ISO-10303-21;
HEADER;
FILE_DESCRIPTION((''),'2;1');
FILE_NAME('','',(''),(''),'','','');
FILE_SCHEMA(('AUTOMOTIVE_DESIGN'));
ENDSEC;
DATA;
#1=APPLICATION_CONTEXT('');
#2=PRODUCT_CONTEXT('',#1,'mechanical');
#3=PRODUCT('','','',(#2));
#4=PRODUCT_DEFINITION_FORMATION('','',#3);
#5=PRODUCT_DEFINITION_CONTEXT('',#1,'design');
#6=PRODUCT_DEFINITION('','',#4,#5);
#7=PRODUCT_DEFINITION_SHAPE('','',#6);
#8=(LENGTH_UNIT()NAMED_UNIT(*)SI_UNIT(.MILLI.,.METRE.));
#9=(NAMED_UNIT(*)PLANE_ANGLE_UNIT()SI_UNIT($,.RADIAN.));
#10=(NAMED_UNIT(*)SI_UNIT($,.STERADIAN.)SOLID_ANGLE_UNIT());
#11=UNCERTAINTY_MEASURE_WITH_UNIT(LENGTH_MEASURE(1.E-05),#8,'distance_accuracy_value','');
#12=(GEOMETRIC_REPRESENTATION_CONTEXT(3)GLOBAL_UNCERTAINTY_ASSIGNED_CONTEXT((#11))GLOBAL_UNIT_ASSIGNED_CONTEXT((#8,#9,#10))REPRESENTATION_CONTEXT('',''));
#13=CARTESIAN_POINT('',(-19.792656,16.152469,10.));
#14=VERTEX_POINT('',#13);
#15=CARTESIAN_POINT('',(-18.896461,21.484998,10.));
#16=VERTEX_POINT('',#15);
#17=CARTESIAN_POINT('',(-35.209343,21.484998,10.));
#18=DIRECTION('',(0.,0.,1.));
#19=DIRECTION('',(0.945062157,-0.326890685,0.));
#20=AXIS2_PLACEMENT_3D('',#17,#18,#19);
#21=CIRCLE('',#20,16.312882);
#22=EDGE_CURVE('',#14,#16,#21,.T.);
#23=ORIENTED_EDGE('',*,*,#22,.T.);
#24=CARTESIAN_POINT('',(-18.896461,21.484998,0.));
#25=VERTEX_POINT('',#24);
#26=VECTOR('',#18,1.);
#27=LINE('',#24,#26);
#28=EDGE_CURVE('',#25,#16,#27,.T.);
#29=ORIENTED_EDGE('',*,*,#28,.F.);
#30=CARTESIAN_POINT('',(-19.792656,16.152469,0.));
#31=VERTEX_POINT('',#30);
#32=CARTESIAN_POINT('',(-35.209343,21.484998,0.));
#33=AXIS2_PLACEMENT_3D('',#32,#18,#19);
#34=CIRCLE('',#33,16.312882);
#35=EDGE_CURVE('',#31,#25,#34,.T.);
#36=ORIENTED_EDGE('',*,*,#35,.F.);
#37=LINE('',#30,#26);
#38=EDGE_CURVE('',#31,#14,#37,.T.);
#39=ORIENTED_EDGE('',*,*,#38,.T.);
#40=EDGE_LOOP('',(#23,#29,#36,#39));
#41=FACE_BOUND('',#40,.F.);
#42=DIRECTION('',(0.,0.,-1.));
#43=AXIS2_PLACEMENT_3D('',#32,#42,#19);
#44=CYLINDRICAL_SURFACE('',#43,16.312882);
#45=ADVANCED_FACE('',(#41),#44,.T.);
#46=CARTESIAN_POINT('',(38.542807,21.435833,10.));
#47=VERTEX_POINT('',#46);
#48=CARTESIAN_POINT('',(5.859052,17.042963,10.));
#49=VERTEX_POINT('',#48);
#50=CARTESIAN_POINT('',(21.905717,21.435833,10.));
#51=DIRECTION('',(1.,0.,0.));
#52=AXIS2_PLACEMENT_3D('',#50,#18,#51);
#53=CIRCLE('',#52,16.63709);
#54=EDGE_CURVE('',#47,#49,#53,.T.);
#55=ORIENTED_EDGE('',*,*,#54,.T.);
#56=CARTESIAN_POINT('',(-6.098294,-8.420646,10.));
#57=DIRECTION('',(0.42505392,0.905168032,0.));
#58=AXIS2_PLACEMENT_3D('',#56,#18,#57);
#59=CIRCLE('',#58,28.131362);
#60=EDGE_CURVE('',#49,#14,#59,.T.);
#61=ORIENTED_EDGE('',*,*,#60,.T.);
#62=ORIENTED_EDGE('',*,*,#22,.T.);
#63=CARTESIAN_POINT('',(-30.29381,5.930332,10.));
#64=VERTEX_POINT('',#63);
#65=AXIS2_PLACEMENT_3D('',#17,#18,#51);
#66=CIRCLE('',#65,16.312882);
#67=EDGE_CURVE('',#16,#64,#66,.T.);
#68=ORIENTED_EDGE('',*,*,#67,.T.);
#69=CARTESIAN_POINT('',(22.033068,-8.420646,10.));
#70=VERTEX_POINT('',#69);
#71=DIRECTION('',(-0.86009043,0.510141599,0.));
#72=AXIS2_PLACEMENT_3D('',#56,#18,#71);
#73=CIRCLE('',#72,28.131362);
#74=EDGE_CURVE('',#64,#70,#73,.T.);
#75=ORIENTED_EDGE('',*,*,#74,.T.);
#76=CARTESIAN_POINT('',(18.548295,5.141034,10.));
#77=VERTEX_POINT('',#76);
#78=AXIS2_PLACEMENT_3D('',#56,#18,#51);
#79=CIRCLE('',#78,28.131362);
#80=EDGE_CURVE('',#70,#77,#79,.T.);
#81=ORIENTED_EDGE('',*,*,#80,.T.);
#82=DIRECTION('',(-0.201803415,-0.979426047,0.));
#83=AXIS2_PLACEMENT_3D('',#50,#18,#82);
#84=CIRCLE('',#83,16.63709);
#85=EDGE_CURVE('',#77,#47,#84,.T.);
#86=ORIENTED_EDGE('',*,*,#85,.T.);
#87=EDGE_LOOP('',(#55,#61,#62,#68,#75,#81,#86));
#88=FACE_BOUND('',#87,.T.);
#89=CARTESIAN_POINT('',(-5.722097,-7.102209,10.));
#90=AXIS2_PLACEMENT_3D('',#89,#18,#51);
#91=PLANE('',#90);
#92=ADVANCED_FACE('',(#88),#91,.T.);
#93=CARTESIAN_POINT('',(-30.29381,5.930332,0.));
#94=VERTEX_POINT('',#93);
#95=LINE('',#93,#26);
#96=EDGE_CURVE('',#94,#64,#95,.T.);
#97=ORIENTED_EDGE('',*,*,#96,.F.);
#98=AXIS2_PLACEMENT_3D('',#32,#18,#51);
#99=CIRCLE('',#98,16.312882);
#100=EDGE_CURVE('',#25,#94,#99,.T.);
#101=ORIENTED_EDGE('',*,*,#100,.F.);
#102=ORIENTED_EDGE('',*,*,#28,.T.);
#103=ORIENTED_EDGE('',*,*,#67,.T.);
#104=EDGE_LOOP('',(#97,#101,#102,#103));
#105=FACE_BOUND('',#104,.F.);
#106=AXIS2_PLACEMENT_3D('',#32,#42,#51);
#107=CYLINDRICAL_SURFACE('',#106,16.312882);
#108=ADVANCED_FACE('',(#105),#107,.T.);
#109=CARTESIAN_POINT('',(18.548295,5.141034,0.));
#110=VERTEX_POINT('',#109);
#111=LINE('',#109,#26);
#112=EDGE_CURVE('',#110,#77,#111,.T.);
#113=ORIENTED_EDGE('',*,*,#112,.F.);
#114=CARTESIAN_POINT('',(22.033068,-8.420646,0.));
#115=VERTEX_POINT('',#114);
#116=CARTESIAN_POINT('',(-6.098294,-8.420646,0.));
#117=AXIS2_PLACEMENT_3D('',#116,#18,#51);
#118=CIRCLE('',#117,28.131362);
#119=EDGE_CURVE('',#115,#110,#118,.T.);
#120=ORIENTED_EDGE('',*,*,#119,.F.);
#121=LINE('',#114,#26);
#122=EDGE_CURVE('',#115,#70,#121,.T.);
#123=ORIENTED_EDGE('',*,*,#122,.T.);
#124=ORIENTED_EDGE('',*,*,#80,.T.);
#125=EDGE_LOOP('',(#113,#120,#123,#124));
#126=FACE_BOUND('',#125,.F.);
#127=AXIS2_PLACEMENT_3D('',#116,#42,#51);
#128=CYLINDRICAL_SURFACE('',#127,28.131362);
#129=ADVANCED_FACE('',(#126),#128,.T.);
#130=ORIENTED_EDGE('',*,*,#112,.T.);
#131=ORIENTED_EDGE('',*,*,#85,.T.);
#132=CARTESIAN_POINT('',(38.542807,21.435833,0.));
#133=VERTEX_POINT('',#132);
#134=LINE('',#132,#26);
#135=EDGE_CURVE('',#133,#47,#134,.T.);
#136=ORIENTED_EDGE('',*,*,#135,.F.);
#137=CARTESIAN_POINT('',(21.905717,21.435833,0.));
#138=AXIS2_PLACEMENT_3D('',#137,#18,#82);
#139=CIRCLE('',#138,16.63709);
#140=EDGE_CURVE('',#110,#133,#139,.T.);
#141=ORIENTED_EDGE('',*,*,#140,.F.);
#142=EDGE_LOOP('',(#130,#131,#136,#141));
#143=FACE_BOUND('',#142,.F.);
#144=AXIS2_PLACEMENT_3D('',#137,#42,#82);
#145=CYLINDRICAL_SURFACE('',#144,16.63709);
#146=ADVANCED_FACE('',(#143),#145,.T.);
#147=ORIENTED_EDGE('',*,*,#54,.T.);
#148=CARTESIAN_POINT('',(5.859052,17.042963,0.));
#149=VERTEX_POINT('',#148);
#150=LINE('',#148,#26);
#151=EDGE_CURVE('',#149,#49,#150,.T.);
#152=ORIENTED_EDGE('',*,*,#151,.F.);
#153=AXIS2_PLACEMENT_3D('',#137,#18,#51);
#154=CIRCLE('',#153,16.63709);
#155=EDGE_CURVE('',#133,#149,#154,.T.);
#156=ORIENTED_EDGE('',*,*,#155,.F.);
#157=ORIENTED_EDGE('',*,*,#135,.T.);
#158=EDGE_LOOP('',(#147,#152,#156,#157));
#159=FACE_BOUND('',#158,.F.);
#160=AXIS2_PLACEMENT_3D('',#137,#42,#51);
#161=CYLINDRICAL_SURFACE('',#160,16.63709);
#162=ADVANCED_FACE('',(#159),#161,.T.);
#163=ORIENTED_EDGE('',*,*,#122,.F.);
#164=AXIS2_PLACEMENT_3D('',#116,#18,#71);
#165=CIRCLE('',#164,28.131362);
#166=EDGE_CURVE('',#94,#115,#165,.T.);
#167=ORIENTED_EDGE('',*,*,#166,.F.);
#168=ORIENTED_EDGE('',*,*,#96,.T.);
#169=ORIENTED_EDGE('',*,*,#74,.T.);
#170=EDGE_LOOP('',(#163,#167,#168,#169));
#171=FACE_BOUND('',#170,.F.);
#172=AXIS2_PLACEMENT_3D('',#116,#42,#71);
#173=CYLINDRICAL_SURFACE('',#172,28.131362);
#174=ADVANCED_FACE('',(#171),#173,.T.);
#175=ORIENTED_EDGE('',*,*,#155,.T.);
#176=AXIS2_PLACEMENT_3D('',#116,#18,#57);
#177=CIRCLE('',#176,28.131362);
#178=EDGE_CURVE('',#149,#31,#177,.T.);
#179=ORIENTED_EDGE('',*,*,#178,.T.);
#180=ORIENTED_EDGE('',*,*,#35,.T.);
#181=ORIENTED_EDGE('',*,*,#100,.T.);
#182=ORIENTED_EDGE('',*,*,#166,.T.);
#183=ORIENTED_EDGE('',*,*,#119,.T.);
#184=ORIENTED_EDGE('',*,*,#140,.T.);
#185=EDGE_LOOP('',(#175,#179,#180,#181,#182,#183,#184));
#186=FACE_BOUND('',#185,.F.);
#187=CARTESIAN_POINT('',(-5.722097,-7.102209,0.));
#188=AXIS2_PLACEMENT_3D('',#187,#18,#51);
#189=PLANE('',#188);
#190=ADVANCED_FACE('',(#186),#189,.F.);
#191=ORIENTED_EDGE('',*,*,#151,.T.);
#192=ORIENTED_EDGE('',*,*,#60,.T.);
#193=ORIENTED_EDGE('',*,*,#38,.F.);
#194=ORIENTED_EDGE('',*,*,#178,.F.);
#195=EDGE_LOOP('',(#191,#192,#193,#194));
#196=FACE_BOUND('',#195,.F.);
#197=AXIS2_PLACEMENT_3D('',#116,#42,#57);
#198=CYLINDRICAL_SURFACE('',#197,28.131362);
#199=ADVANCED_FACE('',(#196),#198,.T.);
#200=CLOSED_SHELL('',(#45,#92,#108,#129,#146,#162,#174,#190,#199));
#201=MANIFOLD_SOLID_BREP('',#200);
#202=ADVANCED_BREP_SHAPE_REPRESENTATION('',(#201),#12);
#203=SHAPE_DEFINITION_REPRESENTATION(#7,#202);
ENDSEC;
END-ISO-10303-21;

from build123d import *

# Parameters (mm, degrees)
F1_DEPTH = 10


with BuildPart() as f1:
    # F0 (on Top) → F1 (new body)
    with BuildSketch(Plane.XY):
        with BuildLine():
            ThreePointArc((-30.293809798, 5.9303317262), (-13.5387489786, -35.5502092603), (22.0330680191, -8.4206464354))
            ThreePointArc((22.0330680191, -8.4206464354), (21.1479502751, -1.419524921), (18.5482952641, 5.1410337217))
            ThreePointArc((18.5482952641, 5.1410337217), (10.523993366, 9.3012075006), (5.8590515306, 17.0429634058))
            ThreePointArc((5.8590515306, 17.0429634058), (-7.074281312, 19.6937803671), (-19.792655595, 16.1524692286))
            ThreePointArc((-19.792655595, 16.1524692286), (-23.8307305262, 9.7958026502), (-30.293809798, 5.9303317262))
        make_face()
        with BuildLine():
            ThreePointArc((5.8590515306, 17.0429634058), (10.523993366, 9.3012075006), (18.5482952641, 5.1410337217))
            ThreePointArc((18.5482952641, 5.1410337217), (13.146861043, 12.0975781831), (5.8590515306, 17.0429634058))
        make_face()
        with BuildLine():
            ThreePointArc((5.8590515306, 17.0429634058), (13.146861043, 12.0975781831), (18.5482952641, 5.1410337217))
            ThreePointArc((18.5482952641, 5.1410337217), (32.4160701368, 8.5391186206), (38.5428073237, 21.4358334092))
            ThreePointArc((38.5428073237, 21.4358334092), (19.6895316542, 37.9246568937), (5.8590515306, 17.0429634058))
        make_face()
        with BuildLine():
            ThreePointArc((-18.8964610276, 21.484998477), (-48.3679268886, 31.1266686737), (-30.293809798, 5.9303317262))
            ThreePointArc((-30.293809798, 5.9303317262), (-25.7205702793, 11.7372262186), (-19.792655595, 16.1524692286))
            ThreePointArc((-19.792655595, 16.1524692286), (-19.1220697647, 18.7813420229), (-18.8964610276, 21.484998477))
        make_face()
        with BuildLine():
            ThreePointArc((-19.792655595, 16.1524692286), (-25.7205702793, 11.7372262186), (-30.293809798, 5.9303317262))
            ThreePointArc((-30.293809798, 5.9303317262), (-23.8307305262, 9.7958026502), (-19.792655595, 16.1524692286))
        make_face()
    extrude(amount=F1_DEPTH)


solid = f1.part
